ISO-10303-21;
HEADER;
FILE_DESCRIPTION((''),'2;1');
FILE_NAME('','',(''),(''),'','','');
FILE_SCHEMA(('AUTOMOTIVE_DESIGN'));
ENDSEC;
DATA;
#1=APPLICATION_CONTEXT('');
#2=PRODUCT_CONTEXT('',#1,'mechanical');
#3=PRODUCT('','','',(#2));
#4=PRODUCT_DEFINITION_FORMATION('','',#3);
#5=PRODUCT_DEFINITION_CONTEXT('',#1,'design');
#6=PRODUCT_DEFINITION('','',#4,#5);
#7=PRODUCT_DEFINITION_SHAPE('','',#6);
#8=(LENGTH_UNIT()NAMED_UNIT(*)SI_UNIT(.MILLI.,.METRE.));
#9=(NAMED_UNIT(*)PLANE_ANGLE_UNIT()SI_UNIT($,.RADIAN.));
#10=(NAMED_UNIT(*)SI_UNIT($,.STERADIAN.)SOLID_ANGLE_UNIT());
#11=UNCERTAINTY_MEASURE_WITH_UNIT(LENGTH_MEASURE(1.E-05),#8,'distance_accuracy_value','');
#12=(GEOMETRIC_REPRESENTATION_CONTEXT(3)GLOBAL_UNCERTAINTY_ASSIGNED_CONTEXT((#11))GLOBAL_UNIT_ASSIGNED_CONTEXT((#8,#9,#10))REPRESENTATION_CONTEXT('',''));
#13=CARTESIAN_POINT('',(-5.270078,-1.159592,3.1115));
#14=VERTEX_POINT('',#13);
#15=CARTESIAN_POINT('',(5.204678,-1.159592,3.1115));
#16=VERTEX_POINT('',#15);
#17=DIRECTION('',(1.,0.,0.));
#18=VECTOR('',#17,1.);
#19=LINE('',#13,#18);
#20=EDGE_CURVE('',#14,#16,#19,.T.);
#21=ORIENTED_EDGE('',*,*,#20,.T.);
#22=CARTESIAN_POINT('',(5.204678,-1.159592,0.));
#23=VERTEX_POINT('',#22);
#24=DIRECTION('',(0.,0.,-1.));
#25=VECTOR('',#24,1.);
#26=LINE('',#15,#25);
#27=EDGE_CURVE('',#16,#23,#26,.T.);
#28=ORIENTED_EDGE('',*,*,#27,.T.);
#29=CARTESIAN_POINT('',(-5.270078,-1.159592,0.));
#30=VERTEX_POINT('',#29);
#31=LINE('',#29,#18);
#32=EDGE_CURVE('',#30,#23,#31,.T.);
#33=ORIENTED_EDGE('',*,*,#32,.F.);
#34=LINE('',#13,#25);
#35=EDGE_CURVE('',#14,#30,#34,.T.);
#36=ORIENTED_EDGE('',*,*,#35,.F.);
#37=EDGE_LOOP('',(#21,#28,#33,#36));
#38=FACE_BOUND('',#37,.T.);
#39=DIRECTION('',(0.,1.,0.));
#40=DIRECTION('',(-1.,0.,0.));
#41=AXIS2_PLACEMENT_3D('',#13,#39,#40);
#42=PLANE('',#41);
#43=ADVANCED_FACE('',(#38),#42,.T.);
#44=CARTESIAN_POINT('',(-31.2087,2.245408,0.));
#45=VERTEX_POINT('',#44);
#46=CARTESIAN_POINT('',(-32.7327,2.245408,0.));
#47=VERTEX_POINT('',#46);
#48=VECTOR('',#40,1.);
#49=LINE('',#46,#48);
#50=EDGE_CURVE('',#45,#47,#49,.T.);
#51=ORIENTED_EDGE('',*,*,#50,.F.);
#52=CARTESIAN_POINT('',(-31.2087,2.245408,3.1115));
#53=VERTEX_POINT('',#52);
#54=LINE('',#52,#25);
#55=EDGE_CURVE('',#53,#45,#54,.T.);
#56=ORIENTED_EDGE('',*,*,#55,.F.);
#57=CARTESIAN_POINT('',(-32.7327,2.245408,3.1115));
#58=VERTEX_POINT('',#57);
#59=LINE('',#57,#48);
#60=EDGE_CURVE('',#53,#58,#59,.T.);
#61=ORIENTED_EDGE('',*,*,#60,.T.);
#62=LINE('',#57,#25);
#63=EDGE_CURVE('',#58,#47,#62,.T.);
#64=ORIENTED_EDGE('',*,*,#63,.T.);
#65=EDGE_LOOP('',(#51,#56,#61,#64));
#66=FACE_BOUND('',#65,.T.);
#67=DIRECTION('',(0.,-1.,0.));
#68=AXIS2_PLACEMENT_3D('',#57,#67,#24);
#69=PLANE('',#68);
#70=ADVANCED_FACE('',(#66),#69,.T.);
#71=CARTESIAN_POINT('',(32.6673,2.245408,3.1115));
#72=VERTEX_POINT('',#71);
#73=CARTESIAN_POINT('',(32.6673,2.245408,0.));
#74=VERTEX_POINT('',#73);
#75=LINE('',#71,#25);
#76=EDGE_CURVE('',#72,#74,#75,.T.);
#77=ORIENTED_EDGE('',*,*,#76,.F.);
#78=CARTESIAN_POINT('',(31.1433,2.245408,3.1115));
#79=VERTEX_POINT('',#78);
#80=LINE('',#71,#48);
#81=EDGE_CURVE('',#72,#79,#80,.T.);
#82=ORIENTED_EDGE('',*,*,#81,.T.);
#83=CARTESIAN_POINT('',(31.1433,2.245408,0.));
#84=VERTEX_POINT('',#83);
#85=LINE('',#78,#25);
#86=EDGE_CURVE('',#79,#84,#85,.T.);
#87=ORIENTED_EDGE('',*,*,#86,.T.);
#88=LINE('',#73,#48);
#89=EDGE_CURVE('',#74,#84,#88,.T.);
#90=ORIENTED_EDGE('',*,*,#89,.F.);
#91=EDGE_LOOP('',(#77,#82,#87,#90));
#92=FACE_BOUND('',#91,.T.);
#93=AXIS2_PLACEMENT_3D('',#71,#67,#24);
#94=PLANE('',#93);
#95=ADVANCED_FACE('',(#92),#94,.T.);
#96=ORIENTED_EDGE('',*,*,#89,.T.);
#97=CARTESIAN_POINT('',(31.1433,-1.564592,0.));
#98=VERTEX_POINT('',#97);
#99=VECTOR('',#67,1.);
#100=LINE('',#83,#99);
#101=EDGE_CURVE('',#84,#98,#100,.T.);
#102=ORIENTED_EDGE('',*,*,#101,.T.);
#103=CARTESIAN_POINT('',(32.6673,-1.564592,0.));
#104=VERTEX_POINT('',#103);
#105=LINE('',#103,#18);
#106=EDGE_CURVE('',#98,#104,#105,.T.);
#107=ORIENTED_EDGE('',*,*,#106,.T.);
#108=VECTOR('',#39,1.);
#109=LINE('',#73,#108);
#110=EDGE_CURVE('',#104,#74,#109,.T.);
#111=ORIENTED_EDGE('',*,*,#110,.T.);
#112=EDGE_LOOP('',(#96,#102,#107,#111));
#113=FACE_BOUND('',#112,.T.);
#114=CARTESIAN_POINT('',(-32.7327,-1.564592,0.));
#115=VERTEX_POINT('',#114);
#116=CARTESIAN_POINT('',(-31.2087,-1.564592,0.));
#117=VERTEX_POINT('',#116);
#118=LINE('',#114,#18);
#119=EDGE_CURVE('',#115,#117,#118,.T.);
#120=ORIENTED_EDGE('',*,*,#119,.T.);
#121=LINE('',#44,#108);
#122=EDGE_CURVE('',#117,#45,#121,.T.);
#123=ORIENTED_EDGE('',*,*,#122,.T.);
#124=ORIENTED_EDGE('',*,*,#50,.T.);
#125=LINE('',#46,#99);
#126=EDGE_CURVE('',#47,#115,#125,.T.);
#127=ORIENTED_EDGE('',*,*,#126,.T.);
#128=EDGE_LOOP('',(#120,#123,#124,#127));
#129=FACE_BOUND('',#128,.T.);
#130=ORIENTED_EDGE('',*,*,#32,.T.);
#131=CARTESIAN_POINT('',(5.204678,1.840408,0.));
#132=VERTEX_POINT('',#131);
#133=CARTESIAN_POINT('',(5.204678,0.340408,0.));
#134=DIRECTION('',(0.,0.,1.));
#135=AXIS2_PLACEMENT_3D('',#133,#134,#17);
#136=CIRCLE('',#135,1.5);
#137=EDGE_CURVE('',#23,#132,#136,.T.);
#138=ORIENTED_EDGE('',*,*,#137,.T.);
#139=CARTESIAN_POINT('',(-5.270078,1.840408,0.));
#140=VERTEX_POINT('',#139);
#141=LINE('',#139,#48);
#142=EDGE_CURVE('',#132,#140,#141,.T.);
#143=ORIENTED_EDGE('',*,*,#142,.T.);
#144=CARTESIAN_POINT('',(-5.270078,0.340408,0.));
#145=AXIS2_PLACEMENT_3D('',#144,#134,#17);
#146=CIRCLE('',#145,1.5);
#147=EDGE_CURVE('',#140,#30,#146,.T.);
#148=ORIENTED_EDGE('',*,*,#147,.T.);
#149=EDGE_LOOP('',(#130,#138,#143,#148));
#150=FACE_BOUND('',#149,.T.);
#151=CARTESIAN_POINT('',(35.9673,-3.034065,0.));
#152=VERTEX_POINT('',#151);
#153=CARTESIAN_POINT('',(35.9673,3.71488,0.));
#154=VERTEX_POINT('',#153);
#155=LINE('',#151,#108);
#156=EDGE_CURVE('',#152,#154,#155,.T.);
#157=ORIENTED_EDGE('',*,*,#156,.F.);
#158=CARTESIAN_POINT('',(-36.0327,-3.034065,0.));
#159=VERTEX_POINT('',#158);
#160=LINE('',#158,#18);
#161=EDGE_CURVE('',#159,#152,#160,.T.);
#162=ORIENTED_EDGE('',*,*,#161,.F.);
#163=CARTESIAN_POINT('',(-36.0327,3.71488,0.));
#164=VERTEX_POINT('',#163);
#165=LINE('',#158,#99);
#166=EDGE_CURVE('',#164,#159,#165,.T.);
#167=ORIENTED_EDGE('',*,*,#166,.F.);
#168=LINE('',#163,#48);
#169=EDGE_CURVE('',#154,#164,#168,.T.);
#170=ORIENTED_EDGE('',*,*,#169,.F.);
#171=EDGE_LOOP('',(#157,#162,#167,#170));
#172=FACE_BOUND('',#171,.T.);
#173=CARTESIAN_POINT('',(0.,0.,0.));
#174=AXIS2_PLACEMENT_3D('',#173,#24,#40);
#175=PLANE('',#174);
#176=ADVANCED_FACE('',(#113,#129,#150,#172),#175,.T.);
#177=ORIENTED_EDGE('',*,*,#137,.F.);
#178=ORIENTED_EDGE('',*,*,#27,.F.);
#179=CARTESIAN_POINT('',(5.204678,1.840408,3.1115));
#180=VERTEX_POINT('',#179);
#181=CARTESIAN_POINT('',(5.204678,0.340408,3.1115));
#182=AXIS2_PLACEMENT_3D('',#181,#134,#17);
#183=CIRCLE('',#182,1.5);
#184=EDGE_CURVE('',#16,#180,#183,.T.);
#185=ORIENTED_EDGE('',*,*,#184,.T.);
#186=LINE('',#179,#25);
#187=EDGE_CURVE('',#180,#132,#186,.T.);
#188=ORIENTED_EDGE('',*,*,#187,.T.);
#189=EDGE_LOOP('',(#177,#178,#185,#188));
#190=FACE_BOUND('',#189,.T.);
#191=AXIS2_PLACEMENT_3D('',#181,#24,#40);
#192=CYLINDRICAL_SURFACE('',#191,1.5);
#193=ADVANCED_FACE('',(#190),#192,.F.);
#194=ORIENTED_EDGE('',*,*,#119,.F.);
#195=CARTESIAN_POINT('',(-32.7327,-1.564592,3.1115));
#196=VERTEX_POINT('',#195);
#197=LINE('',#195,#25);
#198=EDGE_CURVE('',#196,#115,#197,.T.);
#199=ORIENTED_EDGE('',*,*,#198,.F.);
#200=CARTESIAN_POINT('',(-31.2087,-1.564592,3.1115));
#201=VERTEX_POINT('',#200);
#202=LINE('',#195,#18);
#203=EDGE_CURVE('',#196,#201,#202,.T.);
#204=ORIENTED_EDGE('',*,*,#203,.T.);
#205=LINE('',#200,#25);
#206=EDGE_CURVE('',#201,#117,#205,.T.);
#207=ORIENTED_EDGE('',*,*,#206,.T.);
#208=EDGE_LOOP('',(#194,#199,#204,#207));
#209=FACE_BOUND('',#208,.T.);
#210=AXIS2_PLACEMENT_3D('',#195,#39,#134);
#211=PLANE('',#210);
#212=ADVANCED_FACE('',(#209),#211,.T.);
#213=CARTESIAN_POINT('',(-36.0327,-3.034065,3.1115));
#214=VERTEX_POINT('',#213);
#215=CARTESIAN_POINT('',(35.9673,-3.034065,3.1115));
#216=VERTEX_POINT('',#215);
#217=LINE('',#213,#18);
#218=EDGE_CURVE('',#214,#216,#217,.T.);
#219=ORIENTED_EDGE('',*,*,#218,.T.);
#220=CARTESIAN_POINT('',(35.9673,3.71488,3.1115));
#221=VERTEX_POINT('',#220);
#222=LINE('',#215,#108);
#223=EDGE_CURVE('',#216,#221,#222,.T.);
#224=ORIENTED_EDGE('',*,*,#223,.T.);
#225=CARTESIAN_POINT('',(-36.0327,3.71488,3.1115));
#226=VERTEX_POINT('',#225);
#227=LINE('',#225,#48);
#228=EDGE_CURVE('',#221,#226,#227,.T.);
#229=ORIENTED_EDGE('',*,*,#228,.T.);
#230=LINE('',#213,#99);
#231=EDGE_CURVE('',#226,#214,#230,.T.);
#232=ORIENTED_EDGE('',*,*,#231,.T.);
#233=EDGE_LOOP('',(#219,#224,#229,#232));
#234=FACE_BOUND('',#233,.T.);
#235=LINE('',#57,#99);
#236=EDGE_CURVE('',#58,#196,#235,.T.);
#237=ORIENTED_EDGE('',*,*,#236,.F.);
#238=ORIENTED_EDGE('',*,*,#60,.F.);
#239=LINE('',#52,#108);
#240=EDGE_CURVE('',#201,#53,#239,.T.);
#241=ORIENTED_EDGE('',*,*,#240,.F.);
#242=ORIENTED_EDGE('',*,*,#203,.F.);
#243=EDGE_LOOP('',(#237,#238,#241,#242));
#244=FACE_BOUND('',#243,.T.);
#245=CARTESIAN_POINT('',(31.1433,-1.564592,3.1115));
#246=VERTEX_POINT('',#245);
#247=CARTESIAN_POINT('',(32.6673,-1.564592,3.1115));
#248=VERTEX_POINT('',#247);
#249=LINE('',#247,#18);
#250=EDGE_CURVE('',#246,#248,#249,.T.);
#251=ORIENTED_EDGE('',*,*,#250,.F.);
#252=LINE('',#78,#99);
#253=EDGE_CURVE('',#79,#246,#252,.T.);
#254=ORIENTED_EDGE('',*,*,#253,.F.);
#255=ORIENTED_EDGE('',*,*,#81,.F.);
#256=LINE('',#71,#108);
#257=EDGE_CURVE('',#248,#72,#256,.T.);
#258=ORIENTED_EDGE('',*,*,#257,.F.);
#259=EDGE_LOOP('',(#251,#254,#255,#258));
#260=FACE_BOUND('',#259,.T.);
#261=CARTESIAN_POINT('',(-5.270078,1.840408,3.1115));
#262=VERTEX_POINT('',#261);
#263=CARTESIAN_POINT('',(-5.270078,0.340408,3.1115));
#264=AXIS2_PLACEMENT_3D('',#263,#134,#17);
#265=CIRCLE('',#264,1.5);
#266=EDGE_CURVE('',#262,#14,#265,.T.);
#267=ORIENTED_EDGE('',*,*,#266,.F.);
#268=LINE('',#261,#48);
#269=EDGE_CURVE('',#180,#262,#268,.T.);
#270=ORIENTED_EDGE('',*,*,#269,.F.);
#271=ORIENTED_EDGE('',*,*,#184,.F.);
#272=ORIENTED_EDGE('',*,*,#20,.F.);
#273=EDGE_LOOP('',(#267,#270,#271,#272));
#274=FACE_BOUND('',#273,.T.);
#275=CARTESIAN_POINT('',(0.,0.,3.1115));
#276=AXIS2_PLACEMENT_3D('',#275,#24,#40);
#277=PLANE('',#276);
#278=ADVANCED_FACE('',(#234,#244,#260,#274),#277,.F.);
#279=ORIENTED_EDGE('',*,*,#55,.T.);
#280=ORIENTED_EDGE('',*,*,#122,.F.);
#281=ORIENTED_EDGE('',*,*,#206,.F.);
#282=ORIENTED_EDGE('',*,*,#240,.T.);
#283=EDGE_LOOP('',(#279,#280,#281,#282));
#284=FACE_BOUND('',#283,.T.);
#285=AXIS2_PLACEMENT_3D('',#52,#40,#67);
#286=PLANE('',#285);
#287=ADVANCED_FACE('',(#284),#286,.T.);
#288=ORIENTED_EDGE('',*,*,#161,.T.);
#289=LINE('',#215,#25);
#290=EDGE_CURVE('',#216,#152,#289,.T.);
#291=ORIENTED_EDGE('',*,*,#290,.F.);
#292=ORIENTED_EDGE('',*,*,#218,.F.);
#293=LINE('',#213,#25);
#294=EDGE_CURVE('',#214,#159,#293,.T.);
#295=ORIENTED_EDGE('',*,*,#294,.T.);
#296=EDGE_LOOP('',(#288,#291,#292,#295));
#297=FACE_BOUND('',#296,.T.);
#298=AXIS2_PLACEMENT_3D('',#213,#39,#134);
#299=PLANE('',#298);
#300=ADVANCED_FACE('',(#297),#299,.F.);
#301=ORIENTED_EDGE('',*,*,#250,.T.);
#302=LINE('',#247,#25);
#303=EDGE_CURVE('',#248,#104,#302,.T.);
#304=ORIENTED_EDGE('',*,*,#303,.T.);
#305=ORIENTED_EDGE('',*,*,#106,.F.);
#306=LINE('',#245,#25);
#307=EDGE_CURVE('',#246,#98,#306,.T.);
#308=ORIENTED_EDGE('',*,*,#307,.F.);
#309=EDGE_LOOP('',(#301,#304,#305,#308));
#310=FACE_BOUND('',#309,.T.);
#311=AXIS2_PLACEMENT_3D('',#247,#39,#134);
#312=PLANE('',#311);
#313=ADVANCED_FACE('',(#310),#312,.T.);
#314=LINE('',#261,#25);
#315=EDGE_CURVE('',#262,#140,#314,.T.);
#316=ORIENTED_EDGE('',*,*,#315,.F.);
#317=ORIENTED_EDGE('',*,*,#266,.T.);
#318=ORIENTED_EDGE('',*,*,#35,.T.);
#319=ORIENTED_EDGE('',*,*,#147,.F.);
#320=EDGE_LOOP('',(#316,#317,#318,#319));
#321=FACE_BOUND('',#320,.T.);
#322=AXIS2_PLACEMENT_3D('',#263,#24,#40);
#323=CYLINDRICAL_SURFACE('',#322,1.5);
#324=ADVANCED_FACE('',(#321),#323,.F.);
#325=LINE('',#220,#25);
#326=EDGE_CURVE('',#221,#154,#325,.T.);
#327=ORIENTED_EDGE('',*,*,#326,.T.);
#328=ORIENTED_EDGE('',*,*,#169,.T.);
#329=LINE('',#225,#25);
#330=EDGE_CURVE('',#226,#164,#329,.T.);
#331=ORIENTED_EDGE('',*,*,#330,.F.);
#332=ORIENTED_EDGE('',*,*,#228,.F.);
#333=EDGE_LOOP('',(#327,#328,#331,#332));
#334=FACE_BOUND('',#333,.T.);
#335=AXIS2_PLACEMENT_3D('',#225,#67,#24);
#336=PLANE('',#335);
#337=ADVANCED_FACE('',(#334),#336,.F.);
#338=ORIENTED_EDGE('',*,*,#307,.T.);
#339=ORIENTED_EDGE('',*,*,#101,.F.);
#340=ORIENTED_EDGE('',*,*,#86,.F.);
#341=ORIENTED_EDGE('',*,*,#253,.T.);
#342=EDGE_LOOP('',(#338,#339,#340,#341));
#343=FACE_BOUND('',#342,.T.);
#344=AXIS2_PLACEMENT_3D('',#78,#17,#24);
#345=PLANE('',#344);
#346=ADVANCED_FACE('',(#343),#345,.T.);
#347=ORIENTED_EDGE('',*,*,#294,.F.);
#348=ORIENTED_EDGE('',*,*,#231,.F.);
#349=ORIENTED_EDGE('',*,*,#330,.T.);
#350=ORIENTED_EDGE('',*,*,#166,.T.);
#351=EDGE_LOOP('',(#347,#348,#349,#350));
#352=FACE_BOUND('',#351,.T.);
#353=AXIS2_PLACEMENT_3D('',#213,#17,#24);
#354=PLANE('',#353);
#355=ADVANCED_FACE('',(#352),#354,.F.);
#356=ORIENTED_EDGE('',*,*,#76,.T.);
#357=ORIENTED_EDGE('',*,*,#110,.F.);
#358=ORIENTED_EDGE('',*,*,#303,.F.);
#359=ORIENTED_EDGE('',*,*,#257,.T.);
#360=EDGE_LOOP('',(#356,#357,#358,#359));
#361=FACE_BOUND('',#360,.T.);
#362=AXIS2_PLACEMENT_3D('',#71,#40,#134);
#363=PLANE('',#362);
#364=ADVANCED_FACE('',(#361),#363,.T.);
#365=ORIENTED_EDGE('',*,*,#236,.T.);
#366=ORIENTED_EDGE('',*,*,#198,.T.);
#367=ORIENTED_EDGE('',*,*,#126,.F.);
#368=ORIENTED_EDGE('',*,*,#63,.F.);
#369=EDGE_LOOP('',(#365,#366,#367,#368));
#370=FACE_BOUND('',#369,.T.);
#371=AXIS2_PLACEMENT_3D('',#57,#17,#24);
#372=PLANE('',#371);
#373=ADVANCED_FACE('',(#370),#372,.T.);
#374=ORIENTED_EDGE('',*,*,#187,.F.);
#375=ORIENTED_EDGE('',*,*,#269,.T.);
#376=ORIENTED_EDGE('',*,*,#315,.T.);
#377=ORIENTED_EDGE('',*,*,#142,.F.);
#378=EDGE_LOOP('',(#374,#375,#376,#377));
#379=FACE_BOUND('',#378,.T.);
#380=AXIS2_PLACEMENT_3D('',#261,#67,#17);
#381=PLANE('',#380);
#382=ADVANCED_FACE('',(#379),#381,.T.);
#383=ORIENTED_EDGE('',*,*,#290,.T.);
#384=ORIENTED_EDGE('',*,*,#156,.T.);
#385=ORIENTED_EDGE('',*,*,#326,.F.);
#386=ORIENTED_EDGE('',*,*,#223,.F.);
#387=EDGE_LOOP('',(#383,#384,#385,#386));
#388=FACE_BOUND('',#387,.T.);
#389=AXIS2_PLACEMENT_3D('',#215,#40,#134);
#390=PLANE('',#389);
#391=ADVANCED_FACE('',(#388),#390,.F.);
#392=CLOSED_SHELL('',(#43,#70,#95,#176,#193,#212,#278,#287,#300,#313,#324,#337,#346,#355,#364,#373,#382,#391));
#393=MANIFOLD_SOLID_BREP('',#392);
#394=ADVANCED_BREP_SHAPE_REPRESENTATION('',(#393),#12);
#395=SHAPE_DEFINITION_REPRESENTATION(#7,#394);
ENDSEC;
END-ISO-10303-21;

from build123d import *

# Parameters (mm, degrees)
SKETCH1_W           = 72
SKETCH1_H           = 6.748944735
SKETCH1_W_2         = 1.524
SKETCH1_H_2         = 3.81
BOSS_EXTRUDE1_DEPTH = 3.1115


with BuildPart() as part:
    # Sketch1 → Boss-Extrude1 (new body)
    with BuildSketch(Plane.XY):
        with Locations((-0.032699801, 0.340407728)):
            Rectangle(SKETCH1_W, SKETCH1_H)
        with Locations((31.905300199, 0.340407728)):
            Rectangle(SKETCH1_W_2, SKETCH1_H_2, mode=Mode.SUBTRACT)
        with Locations((-31.970699801, 0.340407728)):
            Rectangle(SKETCH1_W_2, SKETCH1_H_2, mode=Mode.SUBTRACT)
        with BuildLine():
            Line((-5.27007754, 1.840407728), (5.204677939, 1.840407728))
            ThreePointArc((5.204677939, 1.840407728), (6.704677939, 0.340407728), (5.204677939, -1.159592272))
            Line((5.204677939, -1.159592272), (-5.27007754, -1.159592272))
            ThreePointArc((-5.27007754, -1.159592272), (-6.77007754, 0.340407728), (-5.27007754, 1.840407728))
        make_face(mode=Mode.SUBTRACT)
    extrude(amount=BOSS_EXTRUDE1_DEPTH)


solid = part.part
